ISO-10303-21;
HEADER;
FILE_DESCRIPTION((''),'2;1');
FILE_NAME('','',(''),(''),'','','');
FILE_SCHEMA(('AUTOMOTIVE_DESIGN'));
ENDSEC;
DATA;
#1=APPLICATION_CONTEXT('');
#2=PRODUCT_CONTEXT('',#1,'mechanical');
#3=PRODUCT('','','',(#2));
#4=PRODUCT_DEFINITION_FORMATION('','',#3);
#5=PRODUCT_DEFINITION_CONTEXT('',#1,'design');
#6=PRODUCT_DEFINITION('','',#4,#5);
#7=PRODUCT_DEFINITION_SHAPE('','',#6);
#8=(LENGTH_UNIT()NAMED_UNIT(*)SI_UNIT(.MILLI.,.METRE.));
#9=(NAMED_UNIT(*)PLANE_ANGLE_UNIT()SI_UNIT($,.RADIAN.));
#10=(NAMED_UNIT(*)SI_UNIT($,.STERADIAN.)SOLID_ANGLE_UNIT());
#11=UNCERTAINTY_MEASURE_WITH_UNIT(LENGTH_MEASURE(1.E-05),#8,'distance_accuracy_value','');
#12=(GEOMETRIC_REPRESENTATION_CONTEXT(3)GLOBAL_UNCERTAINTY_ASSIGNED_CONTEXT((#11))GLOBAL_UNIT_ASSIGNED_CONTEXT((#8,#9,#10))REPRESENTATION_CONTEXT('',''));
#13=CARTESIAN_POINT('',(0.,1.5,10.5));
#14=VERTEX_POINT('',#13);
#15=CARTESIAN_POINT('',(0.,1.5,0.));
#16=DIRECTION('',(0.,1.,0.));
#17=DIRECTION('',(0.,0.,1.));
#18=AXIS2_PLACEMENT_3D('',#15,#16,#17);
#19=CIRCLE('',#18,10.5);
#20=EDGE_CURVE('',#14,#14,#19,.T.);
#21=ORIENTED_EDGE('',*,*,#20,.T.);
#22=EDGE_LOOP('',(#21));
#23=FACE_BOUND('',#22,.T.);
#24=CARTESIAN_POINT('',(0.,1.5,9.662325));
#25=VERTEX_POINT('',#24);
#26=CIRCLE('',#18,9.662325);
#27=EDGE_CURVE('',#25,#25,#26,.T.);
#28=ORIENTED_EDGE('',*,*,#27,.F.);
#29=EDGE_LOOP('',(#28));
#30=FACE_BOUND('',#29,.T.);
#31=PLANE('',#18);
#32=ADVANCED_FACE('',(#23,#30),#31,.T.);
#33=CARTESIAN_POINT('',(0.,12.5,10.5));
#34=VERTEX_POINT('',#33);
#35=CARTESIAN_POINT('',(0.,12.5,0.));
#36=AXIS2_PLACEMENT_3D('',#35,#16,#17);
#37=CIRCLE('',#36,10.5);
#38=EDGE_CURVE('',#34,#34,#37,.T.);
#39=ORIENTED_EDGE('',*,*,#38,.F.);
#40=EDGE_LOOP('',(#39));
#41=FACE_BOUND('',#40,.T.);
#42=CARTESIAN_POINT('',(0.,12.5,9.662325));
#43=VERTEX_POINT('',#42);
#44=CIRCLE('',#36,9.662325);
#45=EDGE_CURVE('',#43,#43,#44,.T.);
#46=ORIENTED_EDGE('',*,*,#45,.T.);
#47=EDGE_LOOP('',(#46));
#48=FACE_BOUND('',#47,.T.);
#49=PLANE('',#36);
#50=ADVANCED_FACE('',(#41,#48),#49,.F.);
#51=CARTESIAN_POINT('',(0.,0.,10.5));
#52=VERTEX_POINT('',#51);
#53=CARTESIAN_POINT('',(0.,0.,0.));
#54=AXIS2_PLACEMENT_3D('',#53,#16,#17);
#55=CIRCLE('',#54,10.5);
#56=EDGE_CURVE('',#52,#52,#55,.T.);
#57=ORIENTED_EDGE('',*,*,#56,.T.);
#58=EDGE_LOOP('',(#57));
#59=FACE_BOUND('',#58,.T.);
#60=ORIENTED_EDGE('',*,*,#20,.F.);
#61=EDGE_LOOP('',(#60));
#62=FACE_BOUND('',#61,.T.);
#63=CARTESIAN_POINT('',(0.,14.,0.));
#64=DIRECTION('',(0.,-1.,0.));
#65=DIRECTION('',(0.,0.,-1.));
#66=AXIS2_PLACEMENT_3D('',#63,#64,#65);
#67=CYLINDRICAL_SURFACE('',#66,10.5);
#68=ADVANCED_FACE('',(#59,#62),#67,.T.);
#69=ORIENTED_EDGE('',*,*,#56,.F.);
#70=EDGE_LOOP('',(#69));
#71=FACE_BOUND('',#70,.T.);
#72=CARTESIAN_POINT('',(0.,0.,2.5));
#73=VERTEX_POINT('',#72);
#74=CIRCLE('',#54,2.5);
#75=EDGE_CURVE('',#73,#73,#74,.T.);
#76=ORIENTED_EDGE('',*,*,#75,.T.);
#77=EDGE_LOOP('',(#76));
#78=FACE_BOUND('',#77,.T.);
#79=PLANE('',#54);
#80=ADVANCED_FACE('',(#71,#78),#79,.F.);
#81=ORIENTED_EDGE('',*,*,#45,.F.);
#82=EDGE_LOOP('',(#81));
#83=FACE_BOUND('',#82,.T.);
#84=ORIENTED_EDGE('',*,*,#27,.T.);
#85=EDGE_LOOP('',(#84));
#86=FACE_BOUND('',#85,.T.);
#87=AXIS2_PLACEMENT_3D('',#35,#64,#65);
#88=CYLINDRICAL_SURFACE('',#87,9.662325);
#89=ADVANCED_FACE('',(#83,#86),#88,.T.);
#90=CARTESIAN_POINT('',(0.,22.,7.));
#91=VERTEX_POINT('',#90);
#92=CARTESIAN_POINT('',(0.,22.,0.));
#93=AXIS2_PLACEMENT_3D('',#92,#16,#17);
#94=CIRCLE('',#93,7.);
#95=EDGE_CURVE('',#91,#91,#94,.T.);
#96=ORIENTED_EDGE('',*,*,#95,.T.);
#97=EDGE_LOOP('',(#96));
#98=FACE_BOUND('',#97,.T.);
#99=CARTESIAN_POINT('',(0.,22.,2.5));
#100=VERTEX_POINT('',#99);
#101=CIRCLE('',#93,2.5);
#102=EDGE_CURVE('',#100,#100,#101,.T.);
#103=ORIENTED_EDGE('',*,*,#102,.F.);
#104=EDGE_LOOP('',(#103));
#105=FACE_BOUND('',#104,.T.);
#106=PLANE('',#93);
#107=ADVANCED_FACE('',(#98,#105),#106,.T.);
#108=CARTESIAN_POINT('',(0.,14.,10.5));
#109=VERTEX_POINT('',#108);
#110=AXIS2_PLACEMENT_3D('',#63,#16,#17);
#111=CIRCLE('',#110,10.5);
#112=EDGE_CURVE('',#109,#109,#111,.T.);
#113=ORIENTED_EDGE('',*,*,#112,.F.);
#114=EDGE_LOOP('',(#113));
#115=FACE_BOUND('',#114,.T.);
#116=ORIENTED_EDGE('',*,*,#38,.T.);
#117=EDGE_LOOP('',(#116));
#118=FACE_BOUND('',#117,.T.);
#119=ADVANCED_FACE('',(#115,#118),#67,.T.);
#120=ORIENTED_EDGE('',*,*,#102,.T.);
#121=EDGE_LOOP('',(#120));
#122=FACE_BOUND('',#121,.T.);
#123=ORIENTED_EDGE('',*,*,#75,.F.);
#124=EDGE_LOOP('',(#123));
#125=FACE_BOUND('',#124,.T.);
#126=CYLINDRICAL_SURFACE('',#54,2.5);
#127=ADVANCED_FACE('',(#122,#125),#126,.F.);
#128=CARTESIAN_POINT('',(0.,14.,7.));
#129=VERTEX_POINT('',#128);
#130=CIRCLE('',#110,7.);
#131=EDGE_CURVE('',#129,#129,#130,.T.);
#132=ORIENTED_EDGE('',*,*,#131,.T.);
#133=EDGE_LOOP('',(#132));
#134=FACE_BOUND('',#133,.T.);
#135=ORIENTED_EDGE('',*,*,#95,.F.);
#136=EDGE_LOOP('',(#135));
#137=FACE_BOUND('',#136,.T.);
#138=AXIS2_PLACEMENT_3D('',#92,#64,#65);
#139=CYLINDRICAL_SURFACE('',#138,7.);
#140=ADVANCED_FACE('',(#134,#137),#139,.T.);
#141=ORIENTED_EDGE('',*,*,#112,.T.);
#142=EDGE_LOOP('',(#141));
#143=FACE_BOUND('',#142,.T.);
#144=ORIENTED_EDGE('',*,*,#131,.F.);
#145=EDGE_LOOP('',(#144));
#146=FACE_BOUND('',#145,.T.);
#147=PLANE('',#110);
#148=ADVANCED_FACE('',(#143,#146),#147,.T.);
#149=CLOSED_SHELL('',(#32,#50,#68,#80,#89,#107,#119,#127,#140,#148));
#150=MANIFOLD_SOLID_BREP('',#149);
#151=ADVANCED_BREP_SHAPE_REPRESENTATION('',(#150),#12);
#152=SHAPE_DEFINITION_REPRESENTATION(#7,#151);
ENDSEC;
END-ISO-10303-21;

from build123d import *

# Parameters (mm, degrees)
SKETCH1_R           = 10.5
BOSS_EXTRUDE1_DEPTH = 14
SKETCH2_R           = 7
BOSS_EXTRUDE2_DEPTH = 8
SKETCH3_R           = 2.5
CUT_EXTRUDE1_DEPTH  = 27.54241888
CUT_EXTRUDE2_START  = 1.5
SKETCH4_OUTSIDE_W   = 30.392
SKETCH4_OUTSIDE_H   = 30.392
SKETCH4_OUTSIDE_R   = 9.6623253
CUT_EXTRUDE2_DEPTH  = 11


with BuildPart() as part:
    # Sketch1 → Boss-Extrude1 (new body)
    with BuildSketch(Plane(origin=(0, 0, 0), x_dir=(1, 0, 0), z_dir=(0, 1, 0))):
        with Locations(Location((0, 0, 0), (0, 0, 270))):
            Circle(SKETCH1_R)
    extrude(amount=BOSS_EXTRUDE1_DEPTH)

    # Sketch2 → Boss-Extrude2 (add)
    with BuildSketch(Plane(origin=(0, 14, 0), x_dir=(1, 0, 0), z_dir=(0, 1, 0))):
        with Locations(Location((0, 0, 0), (0, 0, 270))):
            Circle(SKETCH2_R)
    extrude(amount=BOSS_EXTRUDE2_DEPTH)

    # Sketch3 → Cut-Extrude1 (cut, through all)
    with BuildSketch(Plane(origin=(0, 22, 0), x_dir=(1, 0, 0), z_dir=(0, 1, 0))):
        with Locations(Location((0, 0, 0), (0, 0, 270))):
            Circle(SKETCH3_R)
    extrude(amount=-CUT_EXTRUDE1_DEPTH, mode=Mode.SUBTRACT)

    # Sketch4 outside → Cut-Extrude2 (cut)
    with BuildSketch(Plane(origin=(0, 0, 0), x_dir=(1, 0, 0), z_dir=(0, 1, 0)).offset(CUT_EXTRUDE2_START)):
        Rectangle(SKETCH4_OUTSIDE_W, SKETCH4_OUTSIDE_H)
        with Locations(Location((0, 0, 0), (0, 0, 270))):
            Circle(SKETCH4_OUTSIDE_R, mode=Mode.SUBTRACT)
    extrude(amount=CUT_EXTRUDE2_DEPTH, mode=Mode.SUBTRACT)


solid = part.part
